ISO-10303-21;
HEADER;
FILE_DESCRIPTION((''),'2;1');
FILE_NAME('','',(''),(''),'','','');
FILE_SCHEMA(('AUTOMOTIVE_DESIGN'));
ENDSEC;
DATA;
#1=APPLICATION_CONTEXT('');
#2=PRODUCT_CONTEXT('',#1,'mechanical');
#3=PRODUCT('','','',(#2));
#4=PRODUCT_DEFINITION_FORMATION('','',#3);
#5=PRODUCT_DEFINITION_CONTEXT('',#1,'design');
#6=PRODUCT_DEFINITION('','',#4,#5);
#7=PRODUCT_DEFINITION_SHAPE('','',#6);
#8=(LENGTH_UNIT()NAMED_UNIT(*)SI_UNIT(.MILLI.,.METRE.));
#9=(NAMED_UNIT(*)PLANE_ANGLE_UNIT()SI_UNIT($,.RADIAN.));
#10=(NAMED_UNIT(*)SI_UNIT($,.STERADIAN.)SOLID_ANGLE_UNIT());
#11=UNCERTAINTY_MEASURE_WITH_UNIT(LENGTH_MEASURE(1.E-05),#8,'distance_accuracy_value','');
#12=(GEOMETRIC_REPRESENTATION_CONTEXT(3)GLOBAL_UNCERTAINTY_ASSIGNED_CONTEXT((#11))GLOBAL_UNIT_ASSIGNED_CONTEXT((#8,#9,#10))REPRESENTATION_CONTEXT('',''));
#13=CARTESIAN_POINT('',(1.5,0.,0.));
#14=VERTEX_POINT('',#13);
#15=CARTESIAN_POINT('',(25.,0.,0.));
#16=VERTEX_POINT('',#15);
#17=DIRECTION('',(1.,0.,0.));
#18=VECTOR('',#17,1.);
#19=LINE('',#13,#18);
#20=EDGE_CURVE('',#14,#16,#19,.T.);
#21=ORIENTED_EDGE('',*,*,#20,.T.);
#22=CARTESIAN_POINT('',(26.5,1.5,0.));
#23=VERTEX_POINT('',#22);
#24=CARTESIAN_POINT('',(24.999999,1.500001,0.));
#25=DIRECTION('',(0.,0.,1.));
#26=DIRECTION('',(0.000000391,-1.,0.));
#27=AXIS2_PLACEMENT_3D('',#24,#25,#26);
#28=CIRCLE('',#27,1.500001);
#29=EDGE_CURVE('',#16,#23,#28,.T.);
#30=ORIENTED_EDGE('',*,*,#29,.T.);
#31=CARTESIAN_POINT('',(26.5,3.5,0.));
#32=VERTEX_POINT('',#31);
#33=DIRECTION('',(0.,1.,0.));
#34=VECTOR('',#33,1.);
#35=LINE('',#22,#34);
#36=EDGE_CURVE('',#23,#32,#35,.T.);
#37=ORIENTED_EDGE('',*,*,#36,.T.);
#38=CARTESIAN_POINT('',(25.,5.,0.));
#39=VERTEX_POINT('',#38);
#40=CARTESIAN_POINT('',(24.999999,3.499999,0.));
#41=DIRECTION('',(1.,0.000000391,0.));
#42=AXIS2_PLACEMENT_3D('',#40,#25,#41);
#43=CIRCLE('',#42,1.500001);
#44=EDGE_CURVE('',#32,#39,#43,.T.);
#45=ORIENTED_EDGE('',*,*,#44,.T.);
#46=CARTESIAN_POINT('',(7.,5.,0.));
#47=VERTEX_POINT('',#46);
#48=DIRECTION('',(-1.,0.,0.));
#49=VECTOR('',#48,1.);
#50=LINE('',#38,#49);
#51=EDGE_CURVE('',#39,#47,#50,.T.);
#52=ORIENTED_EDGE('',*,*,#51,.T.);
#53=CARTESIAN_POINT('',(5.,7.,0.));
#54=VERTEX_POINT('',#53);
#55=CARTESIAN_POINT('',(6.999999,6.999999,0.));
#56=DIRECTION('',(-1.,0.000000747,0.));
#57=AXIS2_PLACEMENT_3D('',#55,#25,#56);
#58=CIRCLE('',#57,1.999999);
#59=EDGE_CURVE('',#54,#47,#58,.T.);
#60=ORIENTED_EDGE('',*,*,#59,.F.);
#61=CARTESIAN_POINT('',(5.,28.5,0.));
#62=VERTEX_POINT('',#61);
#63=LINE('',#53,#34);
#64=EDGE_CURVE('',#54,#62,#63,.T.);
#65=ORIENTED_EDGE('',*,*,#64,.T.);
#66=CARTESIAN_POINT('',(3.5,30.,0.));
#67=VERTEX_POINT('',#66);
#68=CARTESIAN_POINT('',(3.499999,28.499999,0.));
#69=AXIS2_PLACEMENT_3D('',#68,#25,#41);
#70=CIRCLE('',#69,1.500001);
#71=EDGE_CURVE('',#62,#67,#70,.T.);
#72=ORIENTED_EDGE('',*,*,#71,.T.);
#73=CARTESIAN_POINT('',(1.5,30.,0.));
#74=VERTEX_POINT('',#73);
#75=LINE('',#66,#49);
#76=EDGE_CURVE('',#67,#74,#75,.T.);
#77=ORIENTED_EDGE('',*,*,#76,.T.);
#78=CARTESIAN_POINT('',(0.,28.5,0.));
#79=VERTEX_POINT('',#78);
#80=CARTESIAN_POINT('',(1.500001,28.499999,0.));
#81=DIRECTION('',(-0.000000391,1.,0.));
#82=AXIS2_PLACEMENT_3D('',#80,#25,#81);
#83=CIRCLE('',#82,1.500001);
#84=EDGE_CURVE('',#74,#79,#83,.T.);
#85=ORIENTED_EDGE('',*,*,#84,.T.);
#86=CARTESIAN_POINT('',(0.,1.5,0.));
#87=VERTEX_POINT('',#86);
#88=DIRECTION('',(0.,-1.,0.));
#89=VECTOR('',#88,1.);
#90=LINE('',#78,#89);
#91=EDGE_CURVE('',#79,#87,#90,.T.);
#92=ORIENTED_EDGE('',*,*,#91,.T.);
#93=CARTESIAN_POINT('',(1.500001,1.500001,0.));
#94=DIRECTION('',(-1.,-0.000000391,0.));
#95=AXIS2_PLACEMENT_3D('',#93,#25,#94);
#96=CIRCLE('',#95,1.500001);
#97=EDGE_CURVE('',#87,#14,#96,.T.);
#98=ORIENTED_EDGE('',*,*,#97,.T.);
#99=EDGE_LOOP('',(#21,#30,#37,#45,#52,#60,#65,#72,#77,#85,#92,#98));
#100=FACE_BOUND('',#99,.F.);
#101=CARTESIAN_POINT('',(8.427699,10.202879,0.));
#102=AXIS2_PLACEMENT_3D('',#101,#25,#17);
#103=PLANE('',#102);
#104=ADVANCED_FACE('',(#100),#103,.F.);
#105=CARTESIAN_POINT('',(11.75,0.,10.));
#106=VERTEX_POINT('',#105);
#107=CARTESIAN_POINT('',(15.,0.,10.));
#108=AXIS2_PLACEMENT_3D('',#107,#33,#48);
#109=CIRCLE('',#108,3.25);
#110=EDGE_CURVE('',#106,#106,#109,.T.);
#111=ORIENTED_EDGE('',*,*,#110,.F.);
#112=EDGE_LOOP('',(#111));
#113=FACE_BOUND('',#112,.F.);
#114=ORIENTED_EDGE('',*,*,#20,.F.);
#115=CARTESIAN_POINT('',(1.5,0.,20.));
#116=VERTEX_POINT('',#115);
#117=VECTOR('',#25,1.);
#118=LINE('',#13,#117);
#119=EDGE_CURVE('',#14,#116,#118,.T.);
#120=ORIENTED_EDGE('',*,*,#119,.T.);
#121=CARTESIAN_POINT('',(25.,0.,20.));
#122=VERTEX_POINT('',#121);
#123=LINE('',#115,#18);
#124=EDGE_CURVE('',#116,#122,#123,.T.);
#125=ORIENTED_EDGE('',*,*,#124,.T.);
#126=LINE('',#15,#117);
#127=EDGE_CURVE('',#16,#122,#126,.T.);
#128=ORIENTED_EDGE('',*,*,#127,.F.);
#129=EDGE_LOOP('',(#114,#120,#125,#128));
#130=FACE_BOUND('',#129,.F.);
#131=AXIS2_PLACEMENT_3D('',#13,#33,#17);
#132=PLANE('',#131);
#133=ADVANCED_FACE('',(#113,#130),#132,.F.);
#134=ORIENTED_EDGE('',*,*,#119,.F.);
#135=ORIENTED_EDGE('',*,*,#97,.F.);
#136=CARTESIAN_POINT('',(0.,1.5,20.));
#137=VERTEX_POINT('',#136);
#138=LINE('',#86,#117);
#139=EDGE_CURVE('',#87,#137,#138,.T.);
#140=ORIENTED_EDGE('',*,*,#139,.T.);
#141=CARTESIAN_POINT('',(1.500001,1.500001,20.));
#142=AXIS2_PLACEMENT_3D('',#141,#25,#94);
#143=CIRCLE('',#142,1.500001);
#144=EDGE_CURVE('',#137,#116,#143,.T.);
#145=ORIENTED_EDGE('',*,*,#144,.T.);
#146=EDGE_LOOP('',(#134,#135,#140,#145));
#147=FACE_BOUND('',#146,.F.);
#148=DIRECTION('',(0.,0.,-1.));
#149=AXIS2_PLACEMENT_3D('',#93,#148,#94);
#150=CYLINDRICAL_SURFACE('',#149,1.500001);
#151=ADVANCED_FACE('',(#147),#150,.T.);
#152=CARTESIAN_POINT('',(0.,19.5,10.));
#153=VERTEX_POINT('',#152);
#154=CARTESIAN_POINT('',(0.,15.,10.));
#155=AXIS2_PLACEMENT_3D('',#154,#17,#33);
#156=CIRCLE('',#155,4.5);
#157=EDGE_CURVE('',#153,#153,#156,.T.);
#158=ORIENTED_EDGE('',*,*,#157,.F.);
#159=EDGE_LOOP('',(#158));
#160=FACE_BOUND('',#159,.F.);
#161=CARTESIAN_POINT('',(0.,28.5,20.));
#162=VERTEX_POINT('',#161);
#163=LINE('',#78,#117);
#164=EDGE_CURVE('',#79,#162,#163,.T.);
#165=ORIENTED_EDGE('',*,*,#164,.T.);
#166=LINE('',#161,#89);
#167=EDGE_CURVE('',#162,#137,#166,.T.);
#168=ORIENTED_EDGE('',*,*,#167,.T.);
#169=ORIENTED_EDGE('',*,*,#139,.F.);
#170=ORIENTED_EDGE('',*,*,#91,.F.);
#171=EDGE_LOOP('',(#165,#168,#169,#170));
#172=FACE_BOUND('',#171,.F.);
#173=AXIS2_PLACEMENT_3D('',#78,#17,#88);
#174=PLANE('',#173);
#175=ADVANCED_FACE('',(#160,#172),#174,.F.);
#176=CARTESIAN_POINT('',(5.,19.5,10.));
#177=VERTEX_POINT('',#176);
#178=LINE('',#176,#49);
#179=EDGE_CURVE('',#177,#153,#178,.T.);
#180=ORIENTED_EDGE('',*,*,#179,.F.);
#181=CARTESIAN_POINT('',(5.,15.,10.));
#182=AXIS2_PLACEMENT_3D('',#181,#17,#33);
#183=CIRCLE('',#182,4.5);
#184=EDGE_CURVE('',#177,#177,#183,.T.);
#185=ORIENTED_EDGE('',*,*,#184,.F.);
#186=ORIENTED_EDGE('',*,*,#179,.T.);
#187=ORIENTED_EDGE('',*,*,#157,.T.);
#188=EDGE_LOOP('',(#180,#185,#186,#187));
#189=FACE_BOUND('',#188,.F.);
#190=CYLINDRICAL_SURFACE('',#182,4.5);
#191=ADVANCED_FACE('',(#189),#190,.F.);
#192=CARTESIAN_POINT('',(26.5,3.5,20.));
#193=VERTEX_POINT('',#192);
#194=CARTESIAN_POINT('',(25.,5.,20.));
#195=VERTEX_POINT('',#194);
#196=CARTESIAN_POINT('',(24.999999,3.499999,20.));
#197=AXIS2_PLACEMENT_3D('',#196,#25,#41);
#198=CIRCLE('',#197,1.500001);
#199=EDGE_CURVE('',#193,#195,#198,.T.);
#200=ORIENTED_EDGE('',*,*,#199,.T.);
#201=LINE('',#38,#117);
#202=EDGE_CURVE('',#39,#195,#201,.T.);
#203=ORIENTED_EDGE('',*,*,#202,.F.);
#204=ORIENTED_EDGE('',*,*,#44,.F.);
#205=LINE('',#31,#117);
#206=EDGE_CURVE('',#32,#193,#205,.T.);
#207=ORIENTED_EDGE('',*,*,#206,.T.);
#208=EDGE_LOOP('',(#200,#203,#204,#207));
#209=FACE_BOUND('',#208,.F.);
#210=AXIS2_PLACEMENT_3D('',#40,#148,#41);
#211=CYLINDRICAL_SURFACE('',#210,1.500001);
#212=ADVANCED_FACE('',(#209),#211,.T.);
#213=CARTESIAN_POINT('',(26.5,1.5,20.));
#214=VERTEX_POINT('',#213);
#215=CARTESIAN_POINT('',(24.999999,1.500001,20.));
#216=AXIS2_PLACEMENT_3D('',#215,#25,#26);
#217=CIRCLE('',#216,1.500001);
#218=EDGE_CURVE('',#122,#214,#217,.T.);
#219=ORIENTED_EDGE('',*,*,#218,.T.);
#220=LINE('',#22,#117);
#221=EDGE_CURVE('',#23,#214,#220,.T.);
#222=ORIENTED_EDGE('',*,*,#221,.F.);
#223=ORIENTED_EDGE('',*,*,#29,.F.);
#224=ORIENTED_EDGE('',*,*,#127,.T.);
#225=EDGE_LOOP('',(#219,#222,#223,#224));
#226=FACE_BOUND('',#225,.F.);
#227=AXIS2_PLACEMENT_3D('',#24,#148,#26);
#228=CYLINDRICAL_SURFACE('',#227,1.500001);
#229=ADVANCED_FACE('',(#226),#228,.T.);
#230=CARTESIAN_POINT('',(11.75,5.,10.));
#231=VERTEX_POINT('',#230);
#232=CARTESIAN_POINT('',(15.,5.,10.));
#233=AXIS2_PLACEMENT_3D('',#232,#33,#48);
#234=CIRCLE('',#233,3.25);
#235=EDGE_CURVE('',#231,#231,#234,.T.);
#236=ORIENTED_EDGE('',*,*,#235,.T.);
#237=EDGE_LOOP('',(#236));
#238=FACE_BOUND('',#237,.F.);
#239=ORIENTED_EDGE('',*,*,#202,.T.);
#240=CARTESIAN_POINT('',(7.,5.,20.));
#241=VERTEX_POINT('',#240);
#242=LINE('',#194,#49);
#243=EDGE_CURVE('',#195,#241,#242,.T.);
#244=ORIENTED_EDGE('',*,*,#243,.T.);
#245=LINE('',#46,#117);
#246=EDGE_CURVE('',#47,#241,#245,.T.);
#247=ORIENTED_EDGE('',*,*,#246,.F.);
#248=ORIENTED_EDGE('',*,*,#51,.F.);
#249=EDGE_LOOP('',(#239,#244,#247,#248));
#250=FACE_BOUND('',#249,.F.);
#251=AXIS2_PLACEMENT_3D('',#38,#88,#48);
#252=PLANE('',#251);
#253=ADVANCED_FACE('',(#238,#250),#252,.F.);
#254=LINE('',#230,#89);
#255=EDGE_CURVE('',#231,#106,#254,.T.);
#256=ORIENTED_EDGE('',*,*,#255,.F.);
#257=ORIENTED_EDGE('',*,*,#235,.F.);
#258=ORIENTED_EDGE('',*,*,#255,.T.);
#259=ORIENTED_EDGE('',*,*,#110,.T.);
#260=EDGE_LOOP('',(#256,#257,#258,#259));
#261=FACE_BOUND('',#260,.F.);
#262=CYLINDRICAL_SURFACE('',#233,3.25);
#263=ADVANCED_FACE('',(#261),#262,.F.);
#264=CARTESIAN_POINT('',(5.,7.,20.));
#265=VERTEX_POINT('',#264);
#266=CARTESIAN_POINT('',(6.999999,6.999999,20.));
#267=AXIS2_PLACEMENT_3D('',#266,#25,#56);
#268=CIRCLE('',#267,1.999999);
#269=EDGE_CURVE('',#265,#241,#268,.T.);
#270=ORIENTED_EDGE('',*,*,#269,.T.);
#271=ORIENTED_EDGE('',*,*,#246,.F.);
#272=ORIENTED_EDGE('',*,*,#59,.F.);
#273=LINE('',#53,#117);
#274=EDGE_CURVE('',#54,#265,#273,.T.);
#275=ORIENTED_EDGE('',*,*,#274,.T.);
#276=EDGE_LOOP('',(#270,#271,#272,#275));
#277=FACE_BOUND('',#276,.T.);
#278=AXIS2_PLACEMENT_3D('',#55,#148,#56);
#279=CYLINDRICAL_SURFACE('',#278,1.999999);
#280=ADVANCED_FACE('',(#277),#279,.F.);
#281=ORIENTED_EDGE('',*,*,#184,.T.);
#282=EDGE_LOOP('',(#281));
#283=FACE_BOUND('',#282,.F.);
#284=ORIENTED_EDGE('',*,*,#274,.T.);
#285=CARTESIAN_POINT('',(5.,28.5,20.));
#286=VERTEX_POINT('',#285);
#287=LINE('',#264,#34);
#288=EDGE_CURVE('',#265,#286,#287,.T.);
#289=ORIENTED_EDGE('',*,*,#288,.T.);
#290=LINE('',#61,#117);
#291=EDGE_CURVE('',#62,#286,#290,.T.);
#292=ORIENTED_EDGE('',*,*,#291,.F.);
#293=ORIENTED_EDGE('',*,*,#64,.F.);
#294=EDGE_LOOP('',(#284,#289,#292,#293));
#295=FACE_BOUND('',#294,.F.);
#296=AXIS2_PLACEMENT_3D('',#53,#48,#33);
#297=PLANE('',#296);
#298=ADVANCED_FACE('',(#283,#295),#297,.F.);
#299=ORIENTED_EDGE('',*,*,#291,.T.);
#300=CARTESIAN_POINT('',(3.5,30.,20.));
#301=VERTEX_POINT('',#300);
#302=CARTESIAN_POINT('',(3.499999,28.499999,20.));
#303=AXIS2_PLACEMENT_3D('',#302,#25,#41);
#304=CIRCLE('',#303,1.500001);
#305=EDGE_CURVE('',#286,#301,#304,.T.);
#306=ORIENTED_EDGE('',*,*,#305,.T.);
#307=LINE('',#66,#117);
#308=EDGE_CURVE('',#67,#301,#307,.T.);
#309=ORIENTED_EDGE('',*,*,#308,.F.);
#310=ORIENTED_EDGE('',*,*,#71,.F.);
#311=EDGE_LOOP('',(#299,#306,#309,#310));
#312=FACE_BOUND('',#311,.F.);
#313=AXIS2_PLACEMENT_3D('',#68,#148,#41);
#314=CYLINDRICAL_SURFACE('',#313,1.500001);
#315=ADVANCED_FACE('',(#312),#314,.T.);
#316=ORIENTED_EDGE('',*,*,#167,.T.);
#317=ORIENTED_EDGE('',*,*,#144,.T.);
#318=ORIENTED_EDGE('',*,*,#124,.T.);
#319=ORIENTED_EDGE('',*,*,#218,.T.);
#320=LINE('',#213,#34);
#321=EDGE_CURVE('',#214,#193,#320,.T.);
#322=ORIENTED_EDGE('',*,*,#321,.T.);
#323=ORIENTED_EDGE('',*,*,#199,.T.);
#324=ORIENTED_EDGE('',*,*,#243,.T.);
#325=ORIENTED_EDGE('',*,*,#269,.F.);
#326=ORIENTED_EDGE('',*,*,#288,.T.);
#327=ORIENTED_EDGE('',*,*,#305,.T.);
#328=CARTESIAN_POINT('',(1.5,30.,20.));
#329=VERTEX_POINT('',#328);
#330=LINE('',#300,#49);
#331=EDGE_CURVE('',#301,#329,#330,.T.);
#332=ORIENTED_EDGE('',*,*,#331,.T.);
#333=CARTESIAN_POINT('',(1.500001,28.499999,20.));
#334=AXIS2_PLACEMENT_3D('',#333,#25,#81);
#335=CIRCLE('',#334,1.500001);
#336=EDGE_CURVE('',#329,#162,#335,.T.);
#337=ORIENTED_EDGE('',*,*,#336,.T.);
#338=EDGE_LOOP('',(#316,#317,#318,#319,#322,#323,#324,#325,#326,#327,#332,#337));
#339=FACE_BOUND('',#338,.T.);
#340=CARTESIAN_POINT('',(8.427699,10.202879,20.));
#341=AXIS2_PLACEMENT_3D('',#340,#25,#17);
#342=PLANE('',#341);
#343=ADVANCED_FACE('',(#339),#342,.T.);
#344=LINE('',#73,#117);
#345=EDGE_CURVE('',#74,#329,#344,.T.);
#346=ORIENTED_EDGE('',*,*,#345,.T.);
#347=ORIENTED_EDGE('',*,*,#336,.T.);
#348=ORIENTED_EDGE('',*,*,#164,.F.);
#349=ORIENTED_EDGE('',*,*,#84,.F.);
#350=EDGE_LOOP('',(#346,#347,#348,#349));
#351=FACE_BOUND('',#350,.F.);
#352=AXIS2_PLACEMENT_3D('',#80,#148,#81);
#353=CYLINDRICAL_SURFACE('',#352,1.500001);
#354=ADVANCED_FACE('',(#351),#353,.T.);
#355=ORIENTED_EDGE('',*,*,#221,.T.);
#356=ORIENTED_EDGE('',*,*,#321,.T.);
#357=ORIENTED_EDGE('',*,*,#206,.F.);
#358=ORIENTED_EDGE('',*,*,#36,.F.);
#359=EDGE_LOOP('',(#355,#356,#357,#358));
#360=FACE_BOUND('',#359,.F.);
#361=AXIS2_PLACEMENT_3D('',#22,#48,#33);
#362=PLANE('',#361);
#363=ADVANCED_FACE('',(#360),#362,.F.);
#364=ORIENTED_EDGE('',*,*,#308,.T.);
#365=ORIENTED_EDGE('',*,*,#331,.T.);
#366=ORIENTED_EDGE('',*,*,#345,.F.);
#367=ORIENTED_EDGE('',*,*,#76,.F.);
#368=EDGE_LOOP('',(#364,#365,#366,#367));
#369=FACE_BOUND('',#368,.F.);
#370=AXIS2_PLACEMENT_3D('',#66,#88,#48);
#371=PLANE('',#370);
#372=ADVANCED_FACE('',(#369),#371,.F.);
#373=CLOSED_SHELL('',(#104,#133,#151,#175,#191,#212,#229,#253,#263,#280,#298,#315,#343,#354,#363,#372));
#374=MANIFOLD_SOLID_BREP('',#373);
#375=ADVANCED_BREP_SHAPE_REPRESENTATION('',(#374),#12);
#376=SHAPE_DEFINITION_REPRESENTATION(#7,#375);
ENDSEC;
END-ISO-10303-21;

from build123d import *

# Parameters (mm, degrees)
PAD_DEPTH       = 20
SKETCH001_R     = 4.5
POCKET_DEPTH    = 5
SKETCH002_R     = 3.25
POCKET001_DEPTH = 5


with BuildPart() as part:
    # Sketch → Pad (new body)
    with BuildSketch(Plane.XY):
        with BuildLine():
            Line((0, 28.5), (0, 1.5))
            ThreePointArc((0, 1.5), (0.43934, 0.43934), (1.5, 0))
            Line((1.5, 0), (25, 0))
            ThreePointArc((25, 0), (26.06066, 0.43934), (26.5, 1.5))
            Line((26.5, 1.5), (26.5, 3.5))
            ThreePointArc((26.5, 3.5), (26.06066, 4.56066), (25, 5))
            Line((25, 5), (7, 5))
            ThreePointArc((5, 7), (5.585786, 5.585786), (7, 5))
            Line((5, 7), (5, 28.5))
            ThreePointArc((5, 28.5), (4.56066, 29.56066), (3.5, 30))
            Line((3.5, 30), (1.5, 30))
            ThreePointArc((1.5, 30), (0.43934, 29.56066), (0, 28.5))
        make_face()
    extrude(amount=PAD_DEPTH)

    # Sketch001 (on Face1 of Pad) → Pocket (cut)
    with BuildSketch(Plane.YZ.offset(5)):
        with Locations((15, 10)):
            Circle(SKETCH001_R)
    extrude(amount=-POCKET_DEPTH, mode=Mode.SUBTRACT)

    # Sketch002 (on Face7 of Pocket) → Pocket001 (cut)
    with BuildSketch(Plane(origin=(0, 5, 0), x_dir=(-1, 0, 0), z_dir=(0, 1, 0))):
        with Locations((-15, 10)):
            Circle(SKETCH002_R)
    extrude(amount=-POCKET001_DEPTH, mode=Mode.SUBTRACT)


solid = part.part
